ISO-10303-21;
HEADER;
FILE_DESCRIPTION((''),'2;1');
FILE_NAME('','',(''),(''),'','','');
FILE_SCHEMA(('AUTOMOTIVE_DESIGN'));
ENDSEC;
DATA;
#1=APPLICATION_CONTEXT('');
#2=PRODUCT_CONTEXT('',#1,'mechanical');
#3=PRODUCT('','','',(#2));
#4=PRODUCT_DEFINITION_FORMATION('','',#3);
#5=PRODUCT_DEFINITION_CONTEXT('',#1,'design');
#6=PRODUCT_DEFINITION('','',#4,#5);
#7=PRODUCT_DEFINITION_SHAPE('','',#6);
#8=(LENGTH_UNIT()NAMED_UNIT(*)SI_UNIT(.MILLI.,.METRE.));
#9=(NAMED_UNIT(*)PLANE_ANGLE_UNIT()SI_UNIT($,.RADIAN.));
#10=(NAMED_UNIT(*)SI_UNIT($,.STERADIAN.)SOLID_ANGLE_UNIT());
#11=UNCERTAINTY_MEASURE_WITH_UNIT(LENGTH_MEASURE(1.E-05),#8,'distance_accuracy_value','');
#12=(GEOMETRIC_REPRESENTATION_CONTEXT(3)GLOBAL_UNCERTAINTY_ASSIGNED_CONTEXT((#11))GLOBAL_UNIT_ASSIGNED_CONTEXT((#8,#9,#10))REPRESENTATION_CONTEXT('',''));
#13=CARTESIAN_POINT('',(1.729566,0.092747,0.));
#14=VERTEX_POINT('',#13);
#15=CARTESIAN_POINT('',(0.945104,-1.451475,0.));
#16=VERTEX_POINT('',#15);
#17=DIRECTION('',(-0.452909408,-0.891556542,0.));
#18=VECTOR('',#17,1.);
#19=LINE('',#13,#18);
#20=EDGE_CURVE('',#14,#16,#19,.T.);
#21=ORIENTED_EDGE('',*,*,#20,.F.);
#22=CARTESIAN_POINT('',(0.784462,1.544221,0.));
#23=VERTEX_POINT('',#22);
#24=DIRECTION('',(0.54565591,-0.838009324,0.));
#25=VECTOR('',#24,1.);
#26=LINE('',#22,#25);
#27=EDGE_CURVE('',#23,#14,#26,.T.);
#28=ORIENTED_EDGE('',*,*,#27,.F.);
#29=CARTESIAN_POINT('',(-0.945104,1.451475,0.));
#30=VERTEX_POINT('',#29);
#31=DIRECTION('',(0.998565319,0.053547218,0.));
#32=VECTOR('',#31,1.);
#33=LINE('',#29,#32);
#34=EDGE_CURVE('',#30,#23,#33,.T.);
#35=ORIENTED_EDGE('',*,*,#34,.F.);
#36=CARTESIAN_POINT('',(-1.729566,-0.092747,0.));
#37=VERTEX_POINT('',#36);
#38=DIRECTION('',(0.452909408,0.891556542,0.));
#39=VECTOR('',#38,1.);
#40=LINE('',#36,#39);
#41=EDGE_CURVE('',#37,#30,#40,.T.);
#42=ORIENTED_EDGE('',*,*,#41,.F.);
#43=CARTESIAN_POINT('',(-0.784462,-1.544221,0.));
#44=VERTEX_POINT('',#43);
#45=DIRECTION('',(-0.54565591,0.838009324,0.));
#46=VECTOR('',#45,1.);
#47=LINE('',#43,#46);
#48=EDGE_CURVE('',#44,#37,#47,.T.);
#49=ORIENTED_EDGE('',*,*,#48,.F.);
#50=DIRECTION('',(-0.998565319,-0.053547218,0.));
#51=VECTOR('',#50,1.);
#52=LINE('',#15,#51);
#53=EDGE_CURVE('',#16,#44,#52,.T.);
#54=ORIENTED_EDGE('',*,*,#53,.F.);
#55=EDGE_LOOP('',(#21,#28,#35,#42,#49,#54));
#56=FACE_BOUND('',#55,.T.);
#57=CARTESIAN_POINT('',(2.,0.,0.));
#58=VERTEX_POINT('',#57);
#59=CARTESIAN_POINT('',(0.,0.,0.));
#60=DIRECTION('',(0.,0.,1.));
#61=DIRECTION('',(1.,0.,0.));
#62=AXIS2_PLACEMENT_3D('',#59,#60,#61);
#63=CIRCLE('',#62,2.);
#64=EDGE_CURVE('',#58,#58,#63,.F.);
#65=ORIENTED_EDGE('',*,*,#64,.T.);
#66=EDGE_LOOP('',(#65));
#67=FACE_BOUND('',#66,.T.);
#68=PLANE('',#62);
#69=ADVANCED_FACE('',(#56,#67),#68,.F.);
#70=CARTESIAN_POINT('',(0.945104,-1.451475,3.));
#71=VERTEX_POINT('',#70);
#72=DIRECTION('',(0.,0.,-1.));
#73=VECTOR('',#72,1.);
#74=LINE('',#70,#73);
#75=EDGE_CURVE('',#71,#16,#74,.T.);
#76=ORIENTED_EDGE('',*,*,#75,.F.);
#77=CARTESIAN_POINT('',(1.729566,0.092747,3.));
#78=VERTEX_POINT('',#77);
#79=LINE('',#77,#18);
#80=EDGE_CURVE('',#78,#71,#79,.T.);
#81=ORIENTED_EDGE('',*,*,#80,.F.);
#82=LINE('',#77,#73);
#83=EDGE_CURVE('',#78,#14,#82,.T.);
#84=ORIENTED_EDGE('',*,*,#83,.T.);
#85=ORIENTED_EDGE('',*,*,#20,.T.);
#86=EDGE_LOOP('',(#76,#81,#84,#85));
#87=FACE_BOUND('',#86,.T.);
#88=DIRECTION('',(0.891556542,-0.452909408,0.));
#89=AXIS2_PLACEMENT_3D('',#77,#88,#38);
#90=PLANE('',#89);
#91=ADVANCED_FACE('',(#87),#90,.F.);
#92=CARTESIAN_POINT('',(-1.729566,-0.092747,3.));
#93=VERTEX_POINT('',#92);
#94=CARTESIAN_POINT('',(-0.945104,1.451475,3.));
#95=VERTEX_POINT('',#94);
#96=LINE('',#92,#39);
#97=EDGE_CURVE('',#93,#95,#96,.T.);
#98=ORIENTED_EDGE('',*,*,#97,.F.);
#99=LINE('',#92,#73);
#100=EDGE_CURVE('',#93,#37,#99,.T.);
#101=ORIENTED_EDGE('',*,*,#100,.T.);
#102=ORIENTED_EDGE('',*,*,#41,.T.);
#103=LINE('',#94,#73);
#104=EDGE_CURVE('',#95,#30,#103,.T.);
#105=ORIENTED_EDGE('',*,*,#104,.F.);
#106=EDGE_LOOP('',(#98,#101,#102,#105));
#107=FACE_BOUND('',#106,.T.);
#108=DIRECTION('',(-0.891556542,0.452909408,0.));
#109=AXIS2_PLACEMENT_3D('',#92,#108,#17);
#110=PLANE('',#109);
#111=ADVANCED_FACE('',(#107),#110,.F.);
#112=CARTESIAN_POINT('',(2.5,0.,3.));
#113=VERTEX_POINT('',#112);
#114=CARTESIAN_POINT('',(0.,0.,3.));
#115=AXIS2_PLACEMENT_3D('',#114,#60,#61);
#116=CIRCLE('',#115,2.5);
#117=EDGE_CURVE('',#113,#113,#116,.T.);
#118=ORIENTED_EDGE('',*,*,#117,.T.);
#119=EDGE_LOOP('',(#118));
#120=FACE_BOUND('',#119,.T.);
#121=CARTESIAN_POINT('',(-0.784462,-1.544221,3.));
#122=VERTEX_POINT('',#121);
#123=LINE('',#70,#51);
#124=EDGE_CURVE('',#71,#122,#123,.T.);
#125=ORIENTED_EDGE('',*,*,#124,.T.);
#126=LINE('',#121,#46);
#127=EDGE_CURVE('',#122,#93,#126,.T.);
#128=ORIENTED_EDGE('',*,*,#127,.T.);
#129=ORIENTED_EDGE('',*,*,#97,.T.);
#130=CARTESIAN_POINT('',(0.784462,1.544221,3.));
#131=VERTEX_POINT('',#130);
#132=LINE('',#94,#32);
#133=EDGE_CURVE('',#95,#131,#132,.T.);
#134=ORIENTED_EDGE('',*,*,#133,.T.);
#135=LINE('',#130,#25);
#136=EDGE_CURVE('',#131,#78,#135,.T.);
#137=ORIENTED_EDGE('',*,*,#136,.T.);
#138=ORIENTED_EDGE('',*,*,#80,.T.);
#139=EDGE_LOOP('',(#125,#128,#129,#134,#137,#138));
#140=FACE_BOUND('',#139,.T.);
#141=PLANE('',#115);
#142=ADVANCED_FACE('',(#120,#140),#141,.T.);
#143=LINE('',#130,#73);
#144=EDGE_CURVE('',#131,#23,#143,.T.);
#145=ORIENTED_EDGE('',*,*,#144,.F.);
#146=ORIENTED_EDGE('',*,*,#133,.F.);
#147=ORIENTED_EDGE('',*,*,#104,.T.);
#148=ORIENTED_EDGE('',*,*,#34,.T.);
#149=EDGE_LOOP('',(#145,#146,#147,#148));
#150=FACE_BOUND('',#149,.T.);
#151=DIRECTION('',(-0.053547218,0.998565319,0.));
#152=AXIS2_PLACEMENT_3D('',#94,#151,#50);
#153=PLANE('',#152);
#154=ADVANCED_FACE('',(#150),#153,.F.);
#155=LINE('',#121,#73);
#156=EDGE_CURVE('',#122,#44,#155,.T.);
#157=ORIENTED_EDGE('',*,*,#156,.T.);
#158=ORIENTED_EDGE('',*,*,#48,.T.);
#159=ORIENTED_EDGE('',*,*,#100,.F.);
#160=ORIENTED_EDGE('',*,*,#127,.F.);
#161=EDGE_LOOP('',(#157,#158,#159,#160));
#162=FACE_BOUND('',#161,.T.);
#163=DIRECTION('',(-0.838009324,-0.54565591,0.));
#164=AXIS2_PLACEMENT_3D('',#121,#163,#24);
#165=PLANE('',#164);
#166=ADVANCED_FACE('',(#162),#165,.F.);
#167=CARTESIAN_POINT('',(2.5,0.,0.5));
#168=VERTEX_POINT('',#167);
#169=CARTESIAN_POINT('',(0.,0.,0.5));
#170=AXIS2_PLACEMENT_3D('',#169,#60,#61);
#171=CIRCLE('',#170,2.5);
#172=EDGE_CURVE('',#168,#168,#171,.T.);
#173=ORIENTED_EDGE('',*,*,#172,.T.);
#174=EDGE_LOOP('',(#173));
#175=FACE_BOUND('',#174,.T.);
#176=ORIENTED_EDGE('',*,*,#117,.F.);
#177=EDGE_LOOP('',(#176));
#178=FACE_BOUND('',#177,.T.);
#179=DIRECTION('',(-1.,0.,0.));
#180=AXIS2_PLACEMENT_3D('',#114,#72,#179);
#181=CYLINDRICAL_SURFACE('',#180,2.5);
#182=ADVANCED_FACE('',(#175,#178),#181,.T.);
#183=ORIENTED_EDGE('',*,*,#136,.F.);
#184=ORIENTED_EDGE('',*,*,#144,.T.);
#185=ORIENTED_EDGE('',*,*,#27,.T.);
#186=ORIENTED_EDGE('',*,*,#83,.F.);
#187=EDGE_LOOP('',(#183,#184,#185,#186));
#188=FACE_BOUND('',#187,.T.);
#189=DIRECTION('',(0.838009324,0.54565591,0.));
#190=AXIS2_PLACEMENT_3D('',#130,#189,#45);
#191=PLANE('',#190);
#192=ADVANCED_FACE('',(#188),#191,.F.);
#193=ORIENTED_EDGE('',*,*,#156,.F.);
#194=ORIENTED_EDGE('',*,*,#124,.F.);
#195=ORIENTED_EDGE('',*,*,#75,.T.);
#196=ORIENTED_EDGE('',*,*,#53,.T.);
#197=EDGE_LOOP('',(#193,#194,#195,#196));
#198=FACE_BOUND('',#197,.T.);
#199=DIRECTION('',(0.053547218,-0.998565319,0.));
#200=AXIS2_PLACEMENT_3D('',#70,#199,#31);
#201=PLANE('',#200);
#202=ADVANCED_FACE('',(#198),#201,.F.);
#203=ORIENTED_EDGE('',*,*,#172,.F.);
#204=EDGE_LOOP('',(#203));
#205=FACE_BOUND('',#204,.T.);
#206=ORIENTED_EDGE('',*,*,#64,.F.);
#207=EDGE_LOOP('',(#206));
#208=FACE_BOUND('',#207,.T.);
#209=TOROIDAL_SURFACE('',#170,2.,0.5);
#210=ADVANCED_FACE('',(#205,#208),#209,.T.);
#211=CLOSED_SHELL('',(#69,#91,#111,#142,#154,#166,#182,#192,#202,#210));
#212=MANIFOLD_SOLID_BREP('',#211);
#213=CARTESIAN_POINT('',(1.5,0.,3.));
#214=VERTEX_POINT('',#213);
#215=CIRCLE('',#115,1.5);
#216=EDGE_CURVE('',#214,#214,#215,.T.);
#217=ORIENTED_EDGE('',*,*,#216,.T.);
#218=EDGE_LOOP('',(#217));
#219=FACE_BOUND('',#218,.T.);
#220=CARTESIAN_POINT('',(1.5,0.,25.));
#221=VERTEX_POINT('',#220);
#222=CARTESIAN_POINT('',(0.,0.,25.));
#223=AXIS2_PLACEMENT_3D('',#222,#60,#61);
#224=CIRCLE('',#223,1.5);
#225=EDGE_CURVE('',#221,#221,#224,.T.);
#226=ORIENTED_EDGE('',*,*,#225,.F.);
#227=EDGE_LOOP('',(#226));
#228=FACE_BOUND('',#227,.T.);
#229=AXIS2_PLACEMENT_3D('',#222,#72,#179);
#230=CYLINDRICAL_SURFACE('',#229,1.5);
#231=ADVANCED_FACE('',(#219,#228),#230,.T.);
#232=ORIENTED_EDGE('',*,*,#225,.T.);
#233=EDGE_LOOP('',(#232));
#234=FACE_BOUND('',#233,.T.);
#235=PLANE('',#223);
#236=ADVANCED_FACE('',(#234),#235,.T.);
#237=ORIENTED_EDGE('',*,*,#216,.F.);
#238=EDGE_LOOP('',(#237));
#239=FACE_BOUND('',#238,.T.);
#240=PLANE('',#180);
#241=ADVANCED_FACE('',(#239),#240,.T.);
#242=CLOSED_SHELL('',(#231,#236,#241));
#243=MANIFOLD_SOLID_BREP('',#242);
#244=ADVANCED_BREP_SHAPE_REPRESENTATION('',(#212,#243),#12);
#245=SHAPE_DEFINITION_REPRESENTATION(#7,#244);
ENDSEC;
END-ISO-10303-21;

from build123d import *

# Parameters (mm, degrees)
SKETCH1_R           = 2.5
BOSS_EXTRUDE1_DEPTH = 3
SKETCH2_R           = 1.5
BOSS_EXTRUDE2_DEPTH = 22
CUT_EXTRUDE1_DEPTH  = 3
FILLET1_R           = 0.5


with BuildPart() as part:
    # Sketch1 → Boss-Extrude1 (new body)
    with BuildSketch(Plane.XY):
        Circle(SKETCH1_R)
    extrude(amount=BOSS_EXTRUDE1_DEPTH)

    # Sketch2 → Boss-Extrude2 (add)
    with BuildSketch(Plane.XY.offset(3)):
        Circle(SKETCH2_R)
    extrude(amount=BOSS_EXTRUDE2_DEPTH)

    # Sketch3 → Cut-Extrude1 (cut)
    with BuildSketch(Plane(origin=(0, 0, 0), x_dir=(-1, 0, 0), z_dir=(0, 0, -1))):
        Polygon((0.784462107, -1.544221229), (1.729565866, -0.092746502), (0.94510376, 1.451474727), (-0.784462107, 1.544221229), (-1.729565866, 0.092746502), (-0.94510376, -1.451474727), align=None)
    extrude(amount=-CUT_EXTRUDE1_DEPTH, mode=Mode.SUBTRACT)

    # Fillet1
    fillet1_edges = [part.edges().sort_by_distance(p)[0] for p in [
        (-2.5, 0, 0),
    ]]
    fillet(fillet1_edges, radius=FILLET1_R)


solid = part.part
